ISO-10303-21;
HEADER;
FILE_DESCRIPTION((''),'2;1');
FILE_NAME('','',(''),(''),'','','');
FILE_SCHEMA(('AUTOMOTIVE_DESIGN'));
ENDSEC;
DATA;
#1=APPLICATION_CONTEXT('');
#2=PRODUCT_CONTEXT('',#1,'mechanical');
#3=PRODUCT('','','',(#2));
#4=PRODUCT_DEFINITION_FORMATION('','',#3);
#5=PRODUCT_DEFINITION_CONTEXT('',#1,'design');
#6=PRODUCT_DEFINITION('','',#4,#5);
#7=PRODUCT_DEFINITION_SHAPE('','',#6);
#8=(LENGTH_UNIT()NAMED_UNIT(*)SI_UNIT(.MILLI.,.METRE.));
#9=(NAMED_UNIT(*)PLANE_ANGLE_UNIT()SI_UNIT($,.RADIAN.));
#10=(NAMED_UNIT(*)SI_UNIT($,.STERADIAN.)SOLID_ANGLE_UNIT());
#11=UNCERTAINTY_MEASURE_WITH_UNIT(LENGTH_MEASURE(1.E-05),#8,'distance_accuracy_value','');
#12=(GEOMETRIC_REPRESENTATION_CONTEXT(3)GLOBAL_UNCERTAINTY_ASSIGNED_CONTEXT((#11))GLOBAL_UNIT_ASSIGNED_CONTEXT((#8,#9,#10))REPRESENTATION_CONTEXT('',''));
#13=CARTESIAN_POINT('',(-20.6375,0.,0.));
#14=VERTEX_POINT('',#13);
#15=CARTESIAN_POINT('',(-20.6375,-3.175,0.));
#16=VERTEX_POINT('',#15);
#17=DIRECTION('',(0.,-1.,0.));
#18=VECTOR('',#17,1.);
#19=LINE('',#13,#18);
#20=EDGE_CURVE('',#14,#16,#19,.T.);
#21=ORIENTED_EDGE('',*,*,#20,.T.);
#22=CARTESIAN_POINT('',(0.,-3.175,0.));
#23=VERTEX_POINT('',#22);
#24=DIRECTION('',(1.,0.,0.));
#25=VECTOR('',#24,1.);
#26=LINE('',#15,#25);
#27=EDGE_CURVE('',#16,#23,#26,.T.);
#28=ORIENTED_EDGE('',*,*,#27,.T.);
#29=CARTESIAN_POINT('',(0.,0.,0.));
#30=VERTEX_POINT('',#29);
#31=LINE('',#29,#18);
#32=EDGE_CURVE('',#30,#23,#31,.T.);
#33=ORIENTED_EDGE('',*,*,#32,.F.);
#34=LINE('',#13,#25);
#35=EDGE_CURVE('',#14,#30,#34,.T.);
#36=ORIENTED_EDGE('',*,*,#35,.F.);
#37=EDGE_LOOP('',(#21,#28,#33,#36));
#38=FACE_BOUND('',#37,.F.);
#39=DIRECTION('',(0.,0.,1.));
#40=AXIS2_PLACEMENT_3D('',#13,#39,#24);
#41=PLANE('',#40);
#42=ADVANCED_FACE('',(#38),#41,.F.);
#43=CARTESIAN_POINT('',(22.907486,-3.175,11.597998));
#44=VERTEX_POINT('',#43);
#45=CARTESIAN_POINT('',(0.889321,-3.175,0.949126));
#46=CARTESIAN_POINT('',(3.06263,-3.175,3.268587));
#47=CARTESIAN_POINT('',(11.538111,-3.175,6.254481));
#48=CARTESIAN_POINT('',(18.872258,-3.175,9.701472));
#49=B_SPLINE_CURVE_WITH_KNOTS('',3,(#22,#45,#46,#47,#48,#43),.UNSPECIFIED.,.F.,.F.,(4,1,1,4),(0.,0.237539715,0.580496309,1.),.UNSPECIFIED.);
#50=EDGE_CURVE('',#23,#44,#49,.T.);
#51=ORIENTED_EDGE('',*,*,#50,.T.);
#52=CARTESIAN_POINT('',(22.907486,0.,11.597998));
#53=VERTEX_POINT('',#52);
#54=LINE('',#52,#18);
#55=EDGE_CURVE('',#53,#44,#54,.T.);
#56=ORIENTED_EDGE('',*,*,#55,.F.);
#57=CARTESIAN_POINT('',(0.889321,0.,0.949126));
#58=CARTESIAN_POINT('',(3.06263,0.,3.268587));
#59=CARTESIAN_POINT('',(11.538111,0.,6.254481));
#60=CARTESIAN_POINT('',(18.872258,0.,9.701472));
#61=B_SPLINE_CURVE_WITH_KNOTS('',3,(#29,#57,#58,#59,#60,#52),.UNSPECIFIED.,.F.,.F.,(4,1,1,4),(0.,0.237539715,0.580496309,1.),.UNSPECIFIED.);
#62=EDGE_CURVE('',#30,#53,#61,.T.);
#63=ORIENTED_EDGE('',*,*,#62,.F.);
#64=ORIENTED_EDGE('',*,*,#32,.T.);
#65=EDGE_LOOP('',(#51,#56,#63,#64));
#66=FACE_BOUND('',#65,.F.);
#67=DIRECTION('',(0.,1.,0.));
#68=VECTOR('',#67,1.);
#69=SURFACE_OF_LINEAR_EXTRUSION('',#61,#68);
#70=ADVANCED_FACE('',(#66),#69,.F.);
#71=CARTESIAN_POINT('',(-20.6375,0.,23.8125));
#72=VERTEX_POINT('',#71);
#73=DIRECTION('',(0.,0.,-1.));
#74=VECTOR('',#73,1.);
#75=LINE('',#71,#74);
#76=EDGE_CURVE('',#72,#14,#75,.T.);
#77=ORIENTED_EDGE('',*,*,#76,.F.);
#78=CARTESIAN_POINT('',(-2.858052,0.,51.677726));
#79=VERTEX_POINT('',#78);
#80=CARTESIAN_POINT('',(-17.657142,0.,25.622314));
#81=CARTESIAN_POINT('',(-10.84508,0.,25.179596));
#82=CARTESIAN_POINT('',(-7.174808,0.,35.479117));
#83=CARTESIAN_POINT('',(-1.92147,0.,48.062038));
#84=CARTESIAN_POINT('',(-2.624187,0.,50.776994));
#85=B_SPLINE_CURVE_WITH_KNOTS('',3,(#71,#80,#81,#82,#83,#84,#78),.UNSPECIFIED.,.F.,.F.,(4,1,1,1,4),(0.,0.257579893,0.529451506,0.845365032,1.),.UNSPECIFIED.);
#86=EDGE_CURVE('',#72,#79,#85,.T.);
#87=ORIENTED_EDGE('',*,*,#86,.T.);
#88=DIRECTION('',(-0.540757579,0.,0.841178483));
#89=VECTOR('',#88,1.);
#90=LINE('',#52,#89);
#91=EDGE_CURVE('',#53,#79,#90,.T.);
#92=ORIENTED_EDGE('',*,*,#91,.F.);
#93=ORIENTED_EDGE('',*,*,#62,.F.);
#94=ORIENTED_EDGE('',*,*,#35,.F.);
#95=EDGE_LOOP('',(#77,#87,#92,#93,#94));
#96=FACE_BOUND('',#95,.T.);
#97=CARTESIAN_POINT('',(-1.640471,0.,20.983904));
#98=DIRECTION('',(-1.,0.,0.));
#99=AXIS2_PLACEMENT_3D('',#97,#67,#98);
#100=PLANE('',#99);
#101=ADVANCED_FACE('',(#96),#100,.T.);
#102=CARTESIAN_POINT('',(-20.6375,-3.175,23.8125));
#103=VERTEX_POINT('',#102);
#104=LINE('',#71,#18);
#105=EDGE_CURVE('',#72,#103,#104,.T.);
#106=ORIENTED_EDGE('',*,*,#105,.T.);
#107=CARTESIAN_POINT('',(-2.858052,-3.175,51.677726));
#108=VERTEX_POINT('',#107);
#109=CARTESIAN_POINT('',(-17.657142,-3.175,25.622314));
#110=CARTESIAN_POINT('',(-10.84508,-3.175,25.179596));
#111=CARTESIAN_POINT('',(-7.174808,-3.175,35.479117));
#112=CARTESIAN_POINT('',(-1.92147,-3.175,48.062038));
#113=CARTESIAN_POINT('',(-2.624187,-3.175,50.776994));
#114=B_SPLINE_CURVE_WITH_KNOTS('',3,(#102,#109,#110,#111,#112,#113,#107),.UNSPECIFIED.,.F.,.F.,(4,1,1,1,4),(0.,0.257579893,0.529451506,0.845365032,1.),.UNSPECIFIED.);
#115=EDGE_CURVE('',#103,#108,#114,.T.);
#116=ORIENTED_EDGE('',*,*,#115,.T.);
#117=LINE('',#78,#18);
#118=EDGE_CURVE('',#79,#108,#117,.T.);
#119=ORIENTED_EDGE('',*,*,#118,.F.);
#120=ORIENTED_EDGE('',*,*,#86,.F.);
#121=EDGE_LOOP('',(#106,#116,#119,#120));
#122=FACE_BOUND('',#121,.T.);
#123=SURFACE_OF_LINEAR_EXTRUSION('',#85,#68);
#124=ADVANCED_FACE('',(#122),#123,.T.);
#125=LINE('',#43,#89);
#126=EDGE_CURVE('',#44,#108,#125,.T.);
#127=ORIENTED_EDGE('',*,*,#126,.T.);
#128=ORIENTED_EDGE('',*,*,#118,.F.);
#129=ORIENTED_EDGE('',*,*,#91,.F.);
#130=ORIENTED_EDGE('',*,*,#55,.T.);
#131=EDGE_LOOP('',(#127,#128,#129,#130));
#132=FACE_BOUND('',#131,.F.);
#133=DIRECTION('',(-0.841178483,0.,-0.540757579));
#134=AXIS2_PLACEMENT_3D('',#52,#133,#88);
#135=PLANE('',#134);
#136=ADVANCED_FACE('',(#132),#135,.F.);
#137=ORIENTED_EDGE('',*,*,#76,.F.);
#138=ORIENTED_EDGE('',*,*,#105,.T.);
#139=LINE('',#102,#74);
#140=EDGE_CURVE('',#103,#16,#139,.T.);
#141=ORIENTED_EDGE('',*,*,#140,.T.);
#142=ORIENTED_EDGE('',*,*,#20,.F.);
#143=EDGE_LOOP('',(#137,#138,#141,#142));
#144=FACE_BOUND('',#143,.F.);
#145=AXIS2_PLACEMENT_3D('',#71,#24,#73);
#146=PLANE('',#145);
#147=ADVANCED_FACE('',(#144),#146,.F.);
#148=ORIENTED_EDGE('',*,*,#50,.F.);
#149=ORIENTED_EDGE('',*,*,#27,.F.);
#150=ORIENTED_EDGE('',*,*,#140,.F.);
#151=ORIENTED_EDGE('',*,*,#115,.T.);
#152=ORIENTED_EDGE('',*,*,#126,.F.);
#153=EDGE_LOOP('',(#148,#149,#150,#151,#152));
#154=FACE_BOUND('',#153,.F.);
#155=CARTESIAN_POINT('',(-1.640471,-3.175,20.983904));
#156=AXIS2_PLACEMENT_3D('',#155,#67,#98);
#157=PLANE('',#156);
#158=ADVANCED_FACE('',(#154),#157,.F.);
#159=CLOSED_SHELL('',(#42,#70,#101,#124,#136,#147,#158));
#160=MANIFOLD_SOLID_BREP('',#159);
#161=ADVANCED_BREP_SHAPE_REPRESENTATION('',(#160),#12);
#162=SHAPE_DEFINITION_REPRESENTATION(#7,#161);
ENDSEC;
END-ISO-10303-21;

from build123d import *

# Parameters (mm, degrees)
F1_DEPTH = 3.175


with BuildPart() as f1:
    # F0 (on Front) → F1 (new body)
    with BuildSketch(Plane.XZ):
        with BuildLine():
            add(Edge.make_bspline(
                [(-20.6375, 23.8125), (-17.6571422595, 25.6223142176), (-10.8450796806, 25.1795959476), (-7.1748078318, 35.4791171286), (-1.9214702651, 48.0620381267), (-2.6241865328, 50.7769935487), (-2.858052263, 51.6777262092)],
                knots=[0, 0, 0, 0, 0.2575798929, 0.5294515062, 0.8453650322, 1, 1, 1, 1], degree=3))
            Line((-20.6375, 23.8125), (-20.6375, 0))
            Line((-20.6375, 0), (0, 0))
            add(Edge.make_bspline(
                [(0, 0), (0.8893205952, 0.9491258801), (3.0626301131, 3.268586736), (11.5381113986, 6.2544805412), (18.8722577145, 9.7014723809), (22.9074861854, 11.5979984403)],
                knots=[0, 0, 0, 0, 0.2375397147, 0.5804963088, 1, 1, 1, 1], degree=3))
            Line((22.9074861854, 11.5979984403), (-2.858052263, 51.6777262092))
        make_face()
    extrude(amount=F1_DEPTH)


solid = f1.part
